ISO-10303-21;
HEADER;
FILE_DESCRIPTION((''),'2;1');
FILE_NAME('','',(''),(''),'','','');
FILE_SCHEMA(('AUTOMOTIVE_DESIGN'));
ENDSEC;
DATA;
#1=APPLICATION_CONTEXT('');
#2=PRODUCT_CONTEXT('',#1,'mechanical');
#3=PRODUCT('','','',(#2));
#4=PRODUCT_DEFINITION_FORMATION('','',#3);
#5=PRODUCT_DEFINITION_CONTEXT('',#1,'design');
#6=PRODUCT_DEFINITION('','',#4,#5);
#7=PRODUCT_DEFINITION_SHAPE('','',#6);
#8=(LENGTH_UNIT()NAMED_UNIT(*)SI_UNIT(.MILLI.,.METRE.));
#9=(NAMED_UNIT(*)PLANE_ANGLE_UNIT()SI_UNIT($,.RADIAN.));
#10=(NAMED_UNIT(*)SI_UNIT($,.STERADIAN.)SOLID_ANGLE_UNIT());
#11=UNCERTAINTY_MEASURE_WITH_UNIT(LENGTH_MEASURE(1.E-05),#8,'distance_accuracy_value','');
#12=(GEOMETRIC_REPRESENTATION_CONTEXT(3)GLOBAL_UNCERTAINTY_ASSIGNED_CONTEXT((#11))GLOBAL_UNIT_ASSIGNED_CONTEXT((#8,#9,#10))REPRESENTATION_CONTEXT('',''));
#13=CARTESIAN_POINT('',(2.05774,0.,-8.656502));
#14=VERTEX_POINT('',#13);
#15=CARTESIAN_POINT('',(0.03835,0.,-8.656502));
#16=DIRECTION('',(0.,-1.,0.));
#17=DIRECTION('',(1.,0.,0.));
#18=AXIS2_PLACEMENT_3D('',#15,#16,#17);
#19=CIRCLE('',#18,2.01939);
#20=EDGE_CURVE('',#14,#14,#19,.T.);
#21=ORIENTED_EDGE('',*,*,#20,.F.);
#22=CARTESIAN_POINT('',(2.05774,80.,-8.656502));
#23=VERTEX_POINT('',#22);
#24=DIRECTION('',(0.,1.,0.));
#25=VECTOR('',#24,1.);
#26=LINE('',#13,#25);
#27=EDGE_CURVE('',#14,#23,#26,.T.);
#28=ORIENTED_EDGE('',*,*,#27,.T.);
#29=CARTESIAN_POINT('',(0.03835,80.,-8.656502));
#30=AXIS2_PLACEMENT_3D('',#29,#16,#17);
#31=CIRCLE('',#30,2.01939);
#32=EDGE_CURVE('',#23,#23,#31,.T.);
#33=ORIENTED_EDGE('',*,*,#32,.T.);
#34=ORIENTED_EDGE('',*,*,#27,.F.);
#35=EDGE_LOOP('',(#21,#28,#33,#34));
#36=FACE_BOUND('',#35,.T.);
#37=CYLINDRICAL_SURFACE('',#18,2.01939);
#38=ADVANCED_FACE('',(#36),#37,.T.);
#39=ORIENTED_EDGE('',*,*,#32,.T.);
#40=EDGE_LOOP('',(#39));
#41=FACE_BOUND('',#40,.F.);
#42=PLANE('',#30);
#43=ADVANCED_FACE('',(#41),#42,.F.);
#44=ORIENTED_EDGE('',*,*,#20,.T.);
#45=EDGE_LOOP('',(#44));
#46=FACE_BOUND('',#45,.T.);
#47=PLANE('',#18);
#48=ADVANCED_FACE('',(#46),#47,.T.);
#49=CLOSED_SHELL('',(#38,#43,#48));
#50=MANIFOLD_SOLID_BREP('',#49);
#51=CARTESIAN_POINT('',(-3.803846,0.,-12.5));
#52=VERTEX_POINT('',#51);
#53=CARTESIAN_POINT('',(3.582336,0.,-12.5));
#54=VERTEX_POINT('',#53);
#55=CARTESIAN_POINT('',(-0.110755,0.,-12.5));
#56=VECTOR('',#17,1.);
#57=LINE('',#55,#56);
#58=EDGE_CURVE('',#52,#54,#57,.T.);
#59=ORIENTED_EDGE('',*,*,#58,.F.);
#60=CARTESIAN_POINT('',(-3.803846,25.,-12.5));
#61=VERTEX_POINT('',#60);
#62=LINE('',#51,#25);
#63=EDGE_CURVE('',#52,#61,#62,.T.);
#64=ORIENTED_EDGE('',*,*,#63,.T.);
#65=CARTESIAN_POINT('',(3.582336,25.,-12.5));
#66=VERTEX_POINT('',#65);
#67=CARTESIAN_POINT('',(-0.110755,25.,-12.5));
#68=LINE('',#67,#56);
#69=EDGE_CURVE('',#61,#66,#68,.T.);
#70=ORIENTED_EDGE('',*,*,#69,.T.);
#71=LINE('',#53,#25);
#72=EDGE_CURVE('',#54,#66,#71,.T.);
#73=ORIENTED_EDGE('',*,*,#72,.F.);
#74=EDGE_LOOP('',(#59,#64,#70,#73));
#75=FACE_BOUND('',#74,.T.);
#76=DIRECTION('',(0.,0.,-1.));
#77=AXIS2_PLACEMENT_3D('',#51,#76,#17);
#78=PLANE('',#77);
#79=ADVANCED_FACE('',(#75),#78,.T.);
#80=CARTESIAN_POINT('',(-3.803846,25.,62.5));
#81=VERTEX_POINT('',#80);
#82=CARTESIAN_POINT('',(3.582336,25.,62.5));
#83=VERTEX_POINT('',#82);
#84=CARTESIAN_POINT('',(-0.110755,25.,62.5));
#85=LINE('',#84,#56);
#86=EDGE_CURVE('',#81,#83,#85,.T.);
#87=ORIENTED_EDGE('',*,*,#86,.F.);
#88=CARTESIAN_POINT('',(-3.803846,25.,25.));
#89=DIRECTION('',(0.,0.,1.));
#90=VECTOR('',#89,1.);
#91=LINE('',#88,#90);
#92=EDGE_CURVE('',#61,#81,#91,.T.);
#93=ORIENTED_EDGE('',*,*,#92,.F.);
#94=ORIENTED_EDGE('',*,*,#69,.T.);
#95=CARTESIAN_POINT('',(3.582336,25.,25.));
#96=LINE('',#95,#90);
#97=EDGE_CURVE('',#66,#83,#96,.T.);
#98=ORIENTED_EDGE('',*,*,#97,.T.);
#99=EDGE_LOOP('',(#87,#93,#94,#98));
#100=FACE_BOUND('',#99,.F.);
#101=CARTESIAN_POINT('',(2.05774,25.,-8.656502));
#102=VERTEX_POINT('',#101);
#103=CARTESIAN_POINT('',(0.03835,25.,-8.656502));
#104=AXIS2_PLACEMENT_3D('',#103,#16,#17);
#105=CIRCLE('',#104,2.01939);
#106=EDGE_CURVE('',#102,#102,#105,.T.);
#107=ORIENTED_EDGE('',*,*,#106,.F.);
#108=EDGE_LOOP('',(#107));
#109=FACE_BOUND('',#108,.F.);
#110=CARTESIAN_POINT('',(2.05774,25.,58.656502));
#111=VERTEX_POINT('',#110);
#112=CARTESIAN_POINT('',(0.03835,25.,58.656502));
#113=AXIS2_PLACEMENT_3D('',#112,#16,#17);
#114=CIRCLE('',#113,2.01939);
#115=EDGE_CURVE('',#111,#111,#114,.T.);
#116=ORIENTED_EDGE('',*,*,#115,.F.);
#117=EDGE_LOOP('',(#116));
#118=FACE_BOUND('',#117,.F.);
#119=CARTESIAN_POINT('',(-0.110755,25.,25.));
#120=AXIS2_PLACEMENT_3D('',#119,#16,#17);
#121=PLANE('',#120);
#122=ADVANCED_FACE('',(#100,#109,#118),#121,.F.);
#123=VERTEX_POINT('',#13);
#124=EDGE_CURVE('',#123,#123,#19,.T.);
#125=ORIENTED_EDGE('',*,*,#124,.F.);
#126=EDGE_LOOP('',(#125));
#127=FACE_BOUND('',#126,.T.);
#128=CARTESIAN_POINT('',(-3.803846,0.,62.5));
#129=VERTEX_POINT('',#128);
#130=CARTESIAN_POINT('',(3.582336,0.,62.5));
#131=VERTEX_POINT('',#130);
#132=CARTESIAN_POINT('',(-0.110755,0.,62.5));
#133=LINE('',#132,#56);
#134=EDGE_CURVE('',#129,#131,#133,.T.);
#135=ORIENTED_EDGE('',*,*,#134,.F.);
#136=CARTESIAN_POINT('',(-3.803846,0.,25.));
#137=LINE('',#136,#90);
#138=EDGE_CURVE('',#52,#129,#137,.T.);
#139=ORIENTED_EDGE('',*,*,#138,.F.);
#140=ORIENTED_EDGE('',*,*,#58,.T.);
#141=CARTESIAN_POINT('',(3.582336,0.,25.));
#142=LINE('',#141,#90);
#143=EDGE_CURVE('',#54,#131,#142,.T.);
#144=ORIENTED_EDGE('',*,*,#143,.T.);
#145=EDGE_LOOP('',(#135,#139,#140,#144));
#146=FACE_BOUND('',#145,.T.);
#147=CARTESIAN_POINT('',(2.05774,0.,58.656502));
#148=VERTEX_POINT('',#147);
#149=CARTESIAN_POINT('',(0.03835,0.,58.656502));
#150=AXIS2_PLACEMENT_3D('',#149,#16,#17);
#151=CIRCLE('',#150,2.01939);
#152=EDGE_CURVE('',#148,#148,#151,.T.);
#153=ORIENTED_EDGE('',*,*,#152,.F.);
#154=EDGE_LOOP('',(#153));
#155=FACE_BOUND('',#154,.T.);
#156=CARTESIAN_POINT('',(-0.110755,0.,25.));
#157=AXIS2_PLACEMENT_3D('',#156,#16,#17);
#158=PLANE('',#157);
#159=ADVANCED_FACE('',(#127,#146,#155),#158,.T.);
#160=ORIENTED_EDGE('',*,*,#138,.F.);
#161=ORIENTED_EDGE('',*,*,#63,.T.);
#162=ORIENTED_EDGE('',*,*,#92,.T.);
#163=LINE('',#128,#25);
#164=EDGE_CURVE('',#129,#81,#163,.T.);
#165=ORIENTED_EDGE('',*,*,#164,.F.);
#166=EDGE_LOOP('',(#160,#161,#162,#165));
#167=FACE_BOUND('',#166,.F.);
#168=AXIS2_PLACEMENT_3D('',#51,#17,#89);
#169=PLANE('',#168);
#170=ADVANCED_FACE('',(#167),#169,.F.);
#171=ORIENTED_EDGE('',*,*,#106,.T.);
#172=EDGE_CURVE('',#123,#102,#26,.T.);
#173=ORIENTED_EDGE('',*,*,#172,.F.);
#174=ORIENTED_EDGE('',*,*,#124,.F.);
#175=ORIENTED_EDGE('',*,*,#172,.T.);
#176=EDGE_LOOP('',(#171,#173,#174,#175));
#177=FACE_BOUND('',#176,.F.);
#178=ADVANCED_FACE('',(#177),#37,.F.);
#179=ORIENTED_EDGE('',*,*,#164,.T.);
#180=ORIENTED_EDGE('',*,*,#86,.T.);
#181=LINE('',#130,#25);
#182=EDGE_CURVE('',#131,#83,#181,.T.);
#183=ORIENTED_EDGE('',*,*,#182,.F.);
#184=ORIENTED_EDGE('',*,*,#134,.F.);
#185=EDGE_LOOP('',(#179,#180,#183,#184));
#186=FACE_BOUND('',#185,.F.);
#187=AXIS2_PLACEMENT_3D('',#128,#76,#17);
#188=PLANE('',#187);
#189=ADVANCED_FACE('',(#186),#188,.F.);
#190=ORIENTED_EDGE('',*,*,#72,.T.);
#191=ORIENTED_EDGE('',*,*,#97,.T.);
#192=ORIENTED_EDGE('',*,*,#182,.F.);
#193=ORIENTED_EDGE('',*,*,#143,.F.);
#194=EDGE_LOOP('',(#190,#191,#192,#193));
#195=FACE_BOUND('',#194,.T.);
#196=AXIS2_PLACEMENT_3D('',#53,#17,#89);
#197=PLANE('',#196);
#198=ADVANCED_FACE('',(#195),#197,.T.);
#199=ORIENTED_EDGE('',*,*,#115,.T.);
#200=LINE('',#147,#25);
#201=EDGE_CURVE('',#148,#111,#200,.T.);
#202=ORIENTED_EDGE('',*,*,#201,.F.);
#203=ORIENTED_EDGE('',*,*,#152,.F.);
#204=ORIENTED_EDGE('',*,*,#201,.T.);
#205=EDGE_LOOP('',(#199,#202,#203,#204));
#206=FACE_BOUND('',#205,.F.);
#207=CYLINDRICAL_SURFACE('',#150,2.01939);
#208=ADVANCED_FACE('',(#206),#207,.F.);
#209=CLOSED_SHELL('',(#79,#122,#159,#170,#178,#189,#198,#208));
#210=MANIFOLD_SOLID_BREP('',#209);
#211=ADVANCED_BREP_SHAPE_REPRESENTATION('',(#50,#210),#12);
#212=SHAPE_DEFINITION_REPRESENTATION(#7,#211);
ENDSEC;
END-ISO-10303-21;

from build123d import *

# Parameters (mm, degrees)
F0_W     = 7.386182
F0_H     = 75
F0_R     = 2.01939
F1_DEPTH = 25
F2_DEPTH = 80


with BuildPart() as f1:
    # F0 (on Front) → F1 (new body)
    with BuildSketch(Plane.XZ):
        with Locations((-0.110755, 25)):
            Rectangle(F0_W, F0_H)
        with Locations((0.03835, -8.656502)):
            Circle(F0_R, mode=Mode.SUBTRACT)
        with Locations((0.03835, 58.656502)):
            Circle(F0_R, mode=Mode.SUBTRACT)
    extrude(amount=-F1_DEPTH)


with BuildPart() as f2:
    # F0 (on Front) → F2 (new body)
    with BuildSketch(Plane.XZ):
        with Locations((0.03835, -8.656502)):
            Circle(F0_R)
    extrude(amount=-F2_DEPTH)


solid = Compound([f1.part, f2.part])
